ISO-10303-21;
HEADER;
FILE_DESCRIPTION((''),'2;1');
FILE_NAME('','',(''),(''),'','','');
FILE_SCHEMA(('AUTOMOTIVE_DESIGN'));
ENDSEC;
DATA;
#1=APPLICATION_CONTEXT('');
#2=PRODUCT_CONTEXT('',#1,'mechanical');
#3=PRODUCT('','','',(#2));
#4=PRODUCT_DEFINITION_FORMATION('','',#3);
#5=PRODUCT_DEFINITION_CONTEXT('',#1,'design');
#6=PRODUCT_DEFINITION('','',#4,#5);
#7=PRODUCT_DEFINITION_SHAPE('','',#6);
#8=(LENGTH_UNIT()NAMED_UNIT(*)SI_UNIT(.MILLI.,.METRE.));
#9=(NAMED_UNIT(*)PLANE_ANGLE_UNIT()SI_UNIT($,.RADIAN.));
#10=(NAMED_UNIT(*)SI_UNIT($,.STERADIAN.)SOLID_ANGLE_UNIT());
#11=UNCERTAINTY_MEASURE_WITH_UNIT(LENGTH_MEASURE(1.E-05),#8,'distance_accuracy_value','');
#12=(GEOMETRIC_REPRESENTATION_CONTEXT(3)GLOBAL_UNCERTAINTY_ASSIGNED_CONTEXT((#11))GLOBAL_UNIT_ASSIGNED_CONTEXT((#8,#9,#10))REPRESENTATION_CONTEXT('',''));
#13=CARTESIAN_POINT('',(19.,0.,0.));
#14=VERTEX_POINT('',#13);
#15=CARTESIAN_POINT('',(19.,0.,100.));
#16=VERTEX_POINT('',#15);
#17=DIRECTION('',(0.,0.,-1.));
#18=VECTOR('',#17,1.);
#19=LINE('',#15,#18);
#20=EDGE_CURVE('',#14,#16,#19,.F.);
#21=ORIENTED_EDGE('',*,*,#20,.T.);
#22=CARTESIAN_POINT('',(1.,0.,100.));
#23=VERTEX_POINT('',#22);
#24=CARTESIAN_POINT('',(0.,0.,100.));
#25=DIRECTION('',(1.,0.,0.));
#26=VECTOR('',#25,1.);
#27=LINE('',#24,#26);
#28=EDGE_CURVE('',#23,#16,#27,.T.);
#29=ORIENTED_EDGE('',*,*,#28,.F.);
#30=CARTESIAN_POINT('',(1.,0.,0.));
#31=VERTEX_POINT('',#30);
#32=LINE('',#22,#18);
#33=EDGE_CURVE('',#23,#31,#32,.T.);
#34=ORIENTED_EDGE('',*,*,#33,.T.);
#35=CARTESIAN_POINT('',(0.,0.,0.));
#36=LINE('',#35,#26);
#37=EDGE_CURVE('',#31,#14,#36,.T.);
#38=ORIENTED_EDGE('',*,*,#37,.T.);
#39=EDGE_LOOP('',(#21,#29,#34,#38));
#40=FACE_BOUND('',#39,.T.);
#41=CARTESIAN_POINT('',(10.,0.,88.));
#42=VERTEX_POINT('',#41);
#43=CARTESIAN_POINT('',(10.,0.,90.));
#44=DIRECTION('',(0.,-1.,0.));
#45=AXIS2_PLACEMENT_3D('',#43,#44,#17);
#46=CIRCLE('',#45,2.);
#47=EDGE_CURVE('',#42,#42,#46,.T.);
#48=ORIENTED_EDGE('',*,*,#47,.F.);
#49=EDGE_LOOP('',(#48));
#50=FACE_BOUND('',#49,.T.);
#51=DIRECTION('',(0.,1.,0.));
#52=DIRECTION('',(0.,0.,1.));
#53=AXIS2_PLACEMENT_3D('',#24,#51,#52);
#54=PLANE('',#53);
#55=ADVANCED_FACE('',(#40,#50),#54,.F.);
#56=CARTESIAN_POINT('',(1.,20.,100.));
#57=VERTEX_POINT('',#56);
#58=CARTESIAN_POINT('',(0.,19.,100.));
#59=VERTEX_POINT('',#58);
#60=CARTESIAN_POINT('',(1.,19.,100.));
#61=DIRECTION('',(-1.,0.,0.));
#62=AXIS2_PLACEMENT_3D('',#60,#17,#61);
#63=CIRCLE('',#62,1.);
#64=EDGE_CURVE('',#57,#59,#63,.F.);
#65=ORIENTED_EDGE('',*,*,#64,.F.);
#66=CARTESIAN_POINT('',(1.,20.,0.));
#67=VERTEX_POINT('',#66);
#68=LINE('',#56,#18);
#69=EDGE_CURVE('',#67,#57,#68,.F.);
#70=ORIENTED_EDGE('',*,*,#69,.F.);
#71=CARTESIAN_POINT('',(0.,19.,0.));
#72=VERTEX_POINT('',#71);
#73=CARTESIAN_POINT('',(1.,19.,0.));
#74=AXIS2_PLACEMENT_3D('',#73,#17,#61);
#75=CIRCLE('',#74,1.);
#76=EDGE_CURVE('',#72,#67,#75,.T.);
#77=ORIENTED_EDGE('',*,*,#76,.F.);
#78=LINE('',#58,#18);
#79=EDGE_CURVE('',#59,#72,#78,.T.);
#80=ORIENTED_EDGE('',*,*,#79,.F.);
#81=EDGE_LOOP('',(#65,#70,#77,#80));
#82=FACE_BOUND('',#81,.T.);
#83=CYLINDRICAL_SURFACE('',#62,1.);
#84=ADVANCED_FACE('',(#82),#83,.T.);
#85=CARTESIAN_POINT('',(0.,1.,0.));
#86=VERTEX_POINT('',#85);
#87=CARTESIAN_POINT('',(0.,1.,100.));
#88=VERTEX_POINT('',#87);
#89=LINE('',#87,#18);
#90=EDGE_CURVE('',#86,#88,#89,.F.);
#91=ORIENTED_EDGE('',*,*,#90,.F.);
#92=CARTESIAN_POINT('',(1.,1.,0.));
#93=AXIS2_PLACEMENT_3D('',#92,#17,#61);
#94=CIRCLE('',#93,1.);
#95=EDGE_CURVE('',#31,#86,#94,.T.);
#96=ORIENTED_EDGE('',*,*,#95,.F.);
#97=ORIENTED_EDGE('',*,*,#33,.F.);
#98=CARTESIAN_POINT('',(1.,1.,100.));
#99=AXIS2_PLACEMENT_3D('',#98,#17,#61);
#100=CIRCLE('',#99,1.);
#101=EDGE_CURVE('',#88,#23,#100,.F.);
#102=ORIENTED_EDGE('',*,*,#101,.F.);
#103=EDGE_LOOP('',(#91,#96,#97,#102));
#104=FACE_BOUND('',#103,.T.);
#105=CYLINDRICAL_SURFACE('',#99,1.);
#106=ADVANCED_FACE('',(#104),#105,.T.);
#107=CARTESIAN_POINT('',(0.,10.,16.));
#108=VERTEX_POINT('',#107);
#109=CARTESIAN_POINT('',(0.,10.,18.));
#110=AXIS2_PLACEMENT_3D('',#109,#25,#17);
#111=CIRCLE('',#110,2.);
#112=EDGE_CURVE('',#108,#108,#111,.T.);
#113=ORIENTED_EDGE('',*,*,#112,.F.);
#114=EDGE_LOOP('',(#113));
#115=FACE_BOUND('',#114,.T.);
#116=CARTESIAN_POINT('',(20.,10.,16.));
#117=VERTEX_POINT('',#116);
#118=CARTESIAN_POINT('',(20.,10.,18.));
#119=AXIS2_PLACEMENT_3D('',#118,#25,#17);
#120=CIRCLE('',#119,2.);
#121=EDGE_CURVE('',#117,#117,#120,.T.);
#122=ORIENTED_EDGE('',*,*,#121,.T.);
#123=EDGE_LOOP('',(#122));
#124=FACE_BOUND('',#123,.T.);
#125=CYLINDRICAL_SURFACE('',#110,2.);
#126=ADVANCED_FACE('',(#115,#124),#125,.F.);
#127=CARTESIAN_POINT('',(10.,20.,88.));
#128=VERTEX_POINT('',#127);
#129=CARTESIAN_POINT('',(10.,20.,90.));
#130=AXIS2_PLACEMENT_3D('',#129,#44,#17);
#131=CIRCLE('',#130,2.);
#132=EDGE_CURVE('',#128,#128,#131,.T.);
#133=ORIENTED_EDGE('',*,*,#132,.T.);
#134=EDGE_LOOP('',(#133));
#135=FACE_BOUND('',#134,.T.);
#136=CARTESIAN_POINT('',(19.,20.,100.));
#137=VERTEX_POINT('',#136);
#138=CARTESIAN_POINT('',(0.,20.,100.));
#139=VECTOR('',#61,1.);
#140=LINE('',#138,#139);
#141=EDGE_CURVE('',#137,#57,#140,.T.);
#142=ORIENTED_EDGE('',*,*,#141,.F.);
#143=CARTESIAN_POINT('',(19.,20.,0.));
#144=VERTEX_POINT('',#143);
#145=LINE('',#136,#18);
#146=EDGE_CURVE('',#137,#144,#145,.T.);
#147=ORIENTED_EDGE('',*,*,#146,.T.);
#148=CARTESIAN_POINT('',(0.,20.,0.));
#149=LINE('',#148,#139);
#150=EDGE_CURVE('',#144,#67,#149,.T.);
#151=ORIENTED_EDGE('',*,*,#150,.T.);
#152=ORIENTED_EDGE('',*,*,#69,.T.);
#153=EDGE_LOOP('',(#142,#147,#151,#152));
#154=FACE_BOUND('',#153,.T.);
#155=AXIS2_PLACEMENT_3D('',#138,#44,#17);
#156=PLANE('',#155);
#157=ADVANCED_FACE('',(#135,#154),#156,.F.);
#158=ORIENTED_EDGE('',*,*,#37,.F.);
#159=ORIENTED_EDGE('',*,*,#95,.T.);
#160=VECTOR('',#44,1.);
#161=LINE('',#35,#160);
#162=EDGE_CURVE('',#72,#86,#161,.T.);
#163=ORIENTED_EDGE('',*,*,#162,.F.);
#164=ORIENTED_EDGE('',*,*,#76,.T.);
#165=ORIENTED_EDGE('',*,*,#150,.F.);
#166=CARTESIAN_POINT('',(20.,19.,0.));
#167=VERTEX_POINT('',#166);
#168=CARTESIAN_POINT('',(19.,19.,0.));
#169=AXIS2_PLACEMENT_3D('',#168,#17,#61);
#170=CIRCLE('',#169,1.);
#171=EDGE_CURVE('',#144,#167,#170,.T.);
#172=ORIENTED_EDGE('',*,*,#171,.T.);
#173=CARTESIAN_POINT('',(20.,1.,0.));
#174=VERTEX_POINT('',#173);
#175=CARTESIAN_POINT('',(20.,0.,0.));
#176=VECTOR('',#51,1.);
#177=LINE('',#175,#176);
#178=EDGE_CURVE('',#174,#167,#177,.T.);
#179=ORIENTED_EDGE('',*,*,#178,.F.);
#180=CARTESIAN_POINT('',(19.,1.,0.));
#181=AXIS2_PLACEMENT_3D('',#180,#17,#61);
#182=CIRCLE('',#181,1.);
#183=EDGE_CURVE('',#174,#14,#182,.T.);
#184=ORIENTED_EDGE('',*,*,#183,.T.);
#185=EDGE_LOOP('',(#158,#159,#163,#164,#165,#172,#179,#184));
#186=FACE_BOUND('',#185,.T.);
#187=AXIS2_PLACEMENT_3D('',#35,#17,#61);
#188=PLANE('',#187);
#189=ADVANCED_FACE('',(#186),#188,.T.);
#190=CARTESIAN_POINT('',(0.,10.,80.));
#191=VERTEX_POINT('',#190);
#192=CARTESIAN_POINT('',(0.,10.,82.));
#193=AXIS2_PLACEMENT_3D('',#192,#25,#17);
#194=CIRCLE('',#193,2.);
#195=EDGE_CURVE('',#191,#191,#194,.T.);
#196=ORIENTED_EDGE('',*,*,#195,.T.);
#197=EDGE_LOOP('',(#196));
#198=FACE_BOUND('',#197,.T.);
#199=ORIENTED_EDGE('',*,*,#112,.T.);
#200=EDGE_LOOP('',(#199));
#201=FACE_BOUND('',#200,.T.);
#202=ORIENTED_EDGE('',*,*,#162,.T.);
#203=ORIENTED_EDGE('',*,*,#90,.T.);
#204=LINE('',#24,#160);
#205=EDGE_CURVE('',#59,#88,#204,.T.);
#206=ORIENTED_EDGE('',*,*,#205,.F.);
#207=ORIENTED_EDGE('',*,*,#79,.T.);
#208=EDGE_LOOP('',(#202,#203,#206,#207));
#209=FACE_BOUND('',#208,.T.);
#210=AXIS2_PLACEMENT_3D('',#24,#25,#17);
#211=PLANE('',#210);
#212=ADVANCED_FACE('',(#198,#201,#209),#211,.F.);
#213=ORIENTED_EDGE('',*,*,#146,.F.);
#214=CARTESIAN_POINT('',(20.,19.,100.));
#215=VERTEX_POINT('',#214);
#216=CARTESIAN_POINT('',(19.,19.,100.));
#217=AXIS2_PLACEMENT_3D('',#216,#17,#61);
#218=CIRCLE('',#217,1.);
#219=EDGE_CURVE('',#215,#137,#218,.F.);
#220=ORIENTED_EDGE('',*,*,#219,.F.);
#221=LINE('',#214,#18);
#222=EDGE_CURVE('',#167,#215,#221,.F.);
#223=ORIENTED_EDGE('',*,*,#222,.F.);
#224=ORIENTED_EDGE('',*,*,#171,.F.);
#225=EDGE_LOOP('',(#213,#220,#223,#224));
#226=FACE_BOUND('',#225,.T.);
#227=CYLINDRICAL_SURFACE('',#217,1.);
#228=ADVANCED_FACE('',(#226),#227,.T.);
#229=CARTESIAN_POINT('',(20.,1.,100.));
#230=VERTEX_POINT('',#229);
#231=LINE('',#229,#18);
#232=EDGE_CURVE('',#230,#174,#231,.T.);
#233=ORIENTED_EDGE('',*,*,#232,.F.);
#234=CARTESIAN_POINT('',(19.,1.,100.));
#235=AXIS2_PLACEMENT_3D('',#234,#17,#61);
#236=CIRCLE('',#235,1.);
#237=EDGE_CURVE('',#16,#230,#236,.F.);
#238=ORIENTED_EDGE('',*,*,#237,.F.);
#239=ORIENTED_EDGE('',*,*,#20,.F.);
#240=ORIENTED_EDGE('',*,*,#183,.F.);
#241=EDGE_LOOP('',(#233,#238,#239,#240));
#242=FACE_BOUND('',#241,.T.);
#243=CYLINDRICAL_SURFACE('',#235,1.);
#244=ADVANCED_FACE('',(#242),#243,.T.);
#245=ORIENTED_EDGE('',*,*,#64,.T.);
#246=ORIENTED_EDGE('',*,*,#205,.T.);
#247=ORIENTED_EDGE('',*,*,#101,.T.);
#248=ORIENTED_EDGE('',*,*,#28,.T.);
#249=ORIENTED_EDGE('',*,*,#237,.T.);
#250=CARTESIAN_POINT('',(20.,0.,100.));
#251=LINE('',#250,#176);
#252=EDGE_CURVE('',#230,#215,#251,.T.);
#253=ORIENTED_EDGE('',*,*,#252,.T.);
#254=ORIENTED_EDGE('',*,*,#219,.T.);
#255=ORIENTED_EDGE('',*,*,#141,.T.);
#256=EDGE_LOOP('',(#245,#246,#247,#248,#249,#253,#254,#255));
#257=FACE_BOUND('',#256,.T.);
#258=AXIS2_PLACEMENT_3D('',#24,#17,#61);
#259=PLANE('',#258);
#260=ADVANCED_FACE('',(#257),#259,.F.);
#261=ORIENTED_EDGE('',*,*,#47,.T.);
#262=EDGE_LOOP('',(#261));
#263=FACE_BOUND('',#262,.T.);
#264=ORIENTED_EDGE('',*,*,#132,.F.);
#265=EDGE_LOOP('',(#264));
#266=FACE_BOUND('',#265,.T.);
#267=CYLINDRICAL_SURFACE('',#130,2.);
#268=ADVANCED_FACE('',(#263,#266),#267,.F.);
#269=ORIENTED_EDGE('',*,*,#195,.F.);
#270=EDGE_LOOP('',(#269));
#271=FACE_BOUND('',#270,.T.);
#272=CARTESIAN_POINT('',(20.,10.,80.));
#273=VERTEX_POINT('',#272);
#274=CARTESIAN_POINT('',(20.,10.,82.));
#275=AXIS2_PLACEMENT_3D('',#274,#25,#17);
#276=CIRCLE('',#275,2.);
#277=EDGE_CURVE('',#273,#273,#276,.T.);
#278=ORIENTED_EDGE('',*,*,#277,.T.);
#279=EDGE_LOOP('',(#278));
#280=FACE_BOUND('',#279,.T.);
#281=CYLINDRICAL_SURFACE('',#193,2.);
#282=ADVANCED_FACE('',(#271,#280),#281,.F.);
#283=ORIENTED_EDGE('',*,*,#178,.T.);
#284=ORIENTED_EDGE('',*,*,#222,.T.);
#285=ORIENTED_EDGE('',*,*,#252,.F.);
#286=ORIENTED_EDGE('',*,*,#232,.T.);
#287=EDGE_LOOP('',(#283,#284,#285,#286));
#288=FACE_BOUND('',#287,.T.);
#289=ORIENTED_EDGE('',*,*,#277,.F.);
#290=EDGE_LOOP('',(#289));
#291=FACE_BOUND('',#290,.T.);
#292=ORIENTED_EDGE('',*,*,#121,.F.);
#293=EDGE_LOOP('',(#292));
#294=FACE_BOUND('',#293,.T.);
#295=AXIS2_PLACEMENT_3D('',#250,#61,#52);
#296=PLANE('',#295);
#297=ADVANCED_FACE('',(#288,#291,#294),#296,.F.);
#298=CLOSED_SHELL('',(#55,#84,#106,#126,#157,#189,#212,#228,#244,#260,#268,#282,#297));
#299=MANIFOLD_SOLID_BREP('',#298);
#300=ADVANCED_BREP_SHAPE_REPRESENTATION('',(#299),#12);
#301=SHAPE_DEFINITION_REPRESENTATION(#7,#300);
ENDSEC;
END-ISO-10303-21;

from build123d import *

# Parameters (mm, degrees)
SKETCH_1_W          = 20
SKETCH_1_H          = 20
EXTRUDE_1_DEPTH     = 100
SKETCH_2_R          = 2
CUT_EXTRUDE_1_DEPTH = 20
SKETCH_3_R          = 2
CUT_EXTRUDE_2_DEPTH = 20
FILLET_1_R          = 1


with BuildPart() as part:
    # 草图1 → 凸台-拉伸1 (new body)
    with BuildSketch(Plane.XY):
        with Locations((10, 10)):
            Rectangle(SKETCH_1_W, SKETCH_1_H)
    extrude(amount=EXTRUDE_1_DEPTH)

    # 草图2 → 切除-拉伸1 (cut)
    with BuildSketch(Plane(origin=(20, 0, 0), x_dir=(0, 0, -1), z_dir=(1, 0, 0))):
        with Locations((-18, 10)):
            Circle(SKETCH_2_R)
        with Locations((-82, 10)):
            Circle(SKETCH_2_R)
    extrude(amount=-CUT_EXTRUDE_1_DEPTH, mode=Mode.SUBTRACT)

    # 草图3 → 切除-拉伸2 (cut)
    with BuildSketch(Plane.XZ):
        with Locations(Location((10, 90, 0), (0, 0, 270))):
            Circle(SKETCH_3_R)
    extrude(amount=-CUT_EXTRUDE_2_DEPTH, mode=Mode.SUBTRACT)

    # 圆角1
    fillet_1_edges = [part.edges().sort_by_distance(p)[0] for p in [
        (0, 20, 50),
        (20, 20, 50),
        (20, 0, 50),
        (0, 0, 50),
    ]]
    fillet(fillet_1_edges, radius=FILLET_1_R)


solid = part.part
